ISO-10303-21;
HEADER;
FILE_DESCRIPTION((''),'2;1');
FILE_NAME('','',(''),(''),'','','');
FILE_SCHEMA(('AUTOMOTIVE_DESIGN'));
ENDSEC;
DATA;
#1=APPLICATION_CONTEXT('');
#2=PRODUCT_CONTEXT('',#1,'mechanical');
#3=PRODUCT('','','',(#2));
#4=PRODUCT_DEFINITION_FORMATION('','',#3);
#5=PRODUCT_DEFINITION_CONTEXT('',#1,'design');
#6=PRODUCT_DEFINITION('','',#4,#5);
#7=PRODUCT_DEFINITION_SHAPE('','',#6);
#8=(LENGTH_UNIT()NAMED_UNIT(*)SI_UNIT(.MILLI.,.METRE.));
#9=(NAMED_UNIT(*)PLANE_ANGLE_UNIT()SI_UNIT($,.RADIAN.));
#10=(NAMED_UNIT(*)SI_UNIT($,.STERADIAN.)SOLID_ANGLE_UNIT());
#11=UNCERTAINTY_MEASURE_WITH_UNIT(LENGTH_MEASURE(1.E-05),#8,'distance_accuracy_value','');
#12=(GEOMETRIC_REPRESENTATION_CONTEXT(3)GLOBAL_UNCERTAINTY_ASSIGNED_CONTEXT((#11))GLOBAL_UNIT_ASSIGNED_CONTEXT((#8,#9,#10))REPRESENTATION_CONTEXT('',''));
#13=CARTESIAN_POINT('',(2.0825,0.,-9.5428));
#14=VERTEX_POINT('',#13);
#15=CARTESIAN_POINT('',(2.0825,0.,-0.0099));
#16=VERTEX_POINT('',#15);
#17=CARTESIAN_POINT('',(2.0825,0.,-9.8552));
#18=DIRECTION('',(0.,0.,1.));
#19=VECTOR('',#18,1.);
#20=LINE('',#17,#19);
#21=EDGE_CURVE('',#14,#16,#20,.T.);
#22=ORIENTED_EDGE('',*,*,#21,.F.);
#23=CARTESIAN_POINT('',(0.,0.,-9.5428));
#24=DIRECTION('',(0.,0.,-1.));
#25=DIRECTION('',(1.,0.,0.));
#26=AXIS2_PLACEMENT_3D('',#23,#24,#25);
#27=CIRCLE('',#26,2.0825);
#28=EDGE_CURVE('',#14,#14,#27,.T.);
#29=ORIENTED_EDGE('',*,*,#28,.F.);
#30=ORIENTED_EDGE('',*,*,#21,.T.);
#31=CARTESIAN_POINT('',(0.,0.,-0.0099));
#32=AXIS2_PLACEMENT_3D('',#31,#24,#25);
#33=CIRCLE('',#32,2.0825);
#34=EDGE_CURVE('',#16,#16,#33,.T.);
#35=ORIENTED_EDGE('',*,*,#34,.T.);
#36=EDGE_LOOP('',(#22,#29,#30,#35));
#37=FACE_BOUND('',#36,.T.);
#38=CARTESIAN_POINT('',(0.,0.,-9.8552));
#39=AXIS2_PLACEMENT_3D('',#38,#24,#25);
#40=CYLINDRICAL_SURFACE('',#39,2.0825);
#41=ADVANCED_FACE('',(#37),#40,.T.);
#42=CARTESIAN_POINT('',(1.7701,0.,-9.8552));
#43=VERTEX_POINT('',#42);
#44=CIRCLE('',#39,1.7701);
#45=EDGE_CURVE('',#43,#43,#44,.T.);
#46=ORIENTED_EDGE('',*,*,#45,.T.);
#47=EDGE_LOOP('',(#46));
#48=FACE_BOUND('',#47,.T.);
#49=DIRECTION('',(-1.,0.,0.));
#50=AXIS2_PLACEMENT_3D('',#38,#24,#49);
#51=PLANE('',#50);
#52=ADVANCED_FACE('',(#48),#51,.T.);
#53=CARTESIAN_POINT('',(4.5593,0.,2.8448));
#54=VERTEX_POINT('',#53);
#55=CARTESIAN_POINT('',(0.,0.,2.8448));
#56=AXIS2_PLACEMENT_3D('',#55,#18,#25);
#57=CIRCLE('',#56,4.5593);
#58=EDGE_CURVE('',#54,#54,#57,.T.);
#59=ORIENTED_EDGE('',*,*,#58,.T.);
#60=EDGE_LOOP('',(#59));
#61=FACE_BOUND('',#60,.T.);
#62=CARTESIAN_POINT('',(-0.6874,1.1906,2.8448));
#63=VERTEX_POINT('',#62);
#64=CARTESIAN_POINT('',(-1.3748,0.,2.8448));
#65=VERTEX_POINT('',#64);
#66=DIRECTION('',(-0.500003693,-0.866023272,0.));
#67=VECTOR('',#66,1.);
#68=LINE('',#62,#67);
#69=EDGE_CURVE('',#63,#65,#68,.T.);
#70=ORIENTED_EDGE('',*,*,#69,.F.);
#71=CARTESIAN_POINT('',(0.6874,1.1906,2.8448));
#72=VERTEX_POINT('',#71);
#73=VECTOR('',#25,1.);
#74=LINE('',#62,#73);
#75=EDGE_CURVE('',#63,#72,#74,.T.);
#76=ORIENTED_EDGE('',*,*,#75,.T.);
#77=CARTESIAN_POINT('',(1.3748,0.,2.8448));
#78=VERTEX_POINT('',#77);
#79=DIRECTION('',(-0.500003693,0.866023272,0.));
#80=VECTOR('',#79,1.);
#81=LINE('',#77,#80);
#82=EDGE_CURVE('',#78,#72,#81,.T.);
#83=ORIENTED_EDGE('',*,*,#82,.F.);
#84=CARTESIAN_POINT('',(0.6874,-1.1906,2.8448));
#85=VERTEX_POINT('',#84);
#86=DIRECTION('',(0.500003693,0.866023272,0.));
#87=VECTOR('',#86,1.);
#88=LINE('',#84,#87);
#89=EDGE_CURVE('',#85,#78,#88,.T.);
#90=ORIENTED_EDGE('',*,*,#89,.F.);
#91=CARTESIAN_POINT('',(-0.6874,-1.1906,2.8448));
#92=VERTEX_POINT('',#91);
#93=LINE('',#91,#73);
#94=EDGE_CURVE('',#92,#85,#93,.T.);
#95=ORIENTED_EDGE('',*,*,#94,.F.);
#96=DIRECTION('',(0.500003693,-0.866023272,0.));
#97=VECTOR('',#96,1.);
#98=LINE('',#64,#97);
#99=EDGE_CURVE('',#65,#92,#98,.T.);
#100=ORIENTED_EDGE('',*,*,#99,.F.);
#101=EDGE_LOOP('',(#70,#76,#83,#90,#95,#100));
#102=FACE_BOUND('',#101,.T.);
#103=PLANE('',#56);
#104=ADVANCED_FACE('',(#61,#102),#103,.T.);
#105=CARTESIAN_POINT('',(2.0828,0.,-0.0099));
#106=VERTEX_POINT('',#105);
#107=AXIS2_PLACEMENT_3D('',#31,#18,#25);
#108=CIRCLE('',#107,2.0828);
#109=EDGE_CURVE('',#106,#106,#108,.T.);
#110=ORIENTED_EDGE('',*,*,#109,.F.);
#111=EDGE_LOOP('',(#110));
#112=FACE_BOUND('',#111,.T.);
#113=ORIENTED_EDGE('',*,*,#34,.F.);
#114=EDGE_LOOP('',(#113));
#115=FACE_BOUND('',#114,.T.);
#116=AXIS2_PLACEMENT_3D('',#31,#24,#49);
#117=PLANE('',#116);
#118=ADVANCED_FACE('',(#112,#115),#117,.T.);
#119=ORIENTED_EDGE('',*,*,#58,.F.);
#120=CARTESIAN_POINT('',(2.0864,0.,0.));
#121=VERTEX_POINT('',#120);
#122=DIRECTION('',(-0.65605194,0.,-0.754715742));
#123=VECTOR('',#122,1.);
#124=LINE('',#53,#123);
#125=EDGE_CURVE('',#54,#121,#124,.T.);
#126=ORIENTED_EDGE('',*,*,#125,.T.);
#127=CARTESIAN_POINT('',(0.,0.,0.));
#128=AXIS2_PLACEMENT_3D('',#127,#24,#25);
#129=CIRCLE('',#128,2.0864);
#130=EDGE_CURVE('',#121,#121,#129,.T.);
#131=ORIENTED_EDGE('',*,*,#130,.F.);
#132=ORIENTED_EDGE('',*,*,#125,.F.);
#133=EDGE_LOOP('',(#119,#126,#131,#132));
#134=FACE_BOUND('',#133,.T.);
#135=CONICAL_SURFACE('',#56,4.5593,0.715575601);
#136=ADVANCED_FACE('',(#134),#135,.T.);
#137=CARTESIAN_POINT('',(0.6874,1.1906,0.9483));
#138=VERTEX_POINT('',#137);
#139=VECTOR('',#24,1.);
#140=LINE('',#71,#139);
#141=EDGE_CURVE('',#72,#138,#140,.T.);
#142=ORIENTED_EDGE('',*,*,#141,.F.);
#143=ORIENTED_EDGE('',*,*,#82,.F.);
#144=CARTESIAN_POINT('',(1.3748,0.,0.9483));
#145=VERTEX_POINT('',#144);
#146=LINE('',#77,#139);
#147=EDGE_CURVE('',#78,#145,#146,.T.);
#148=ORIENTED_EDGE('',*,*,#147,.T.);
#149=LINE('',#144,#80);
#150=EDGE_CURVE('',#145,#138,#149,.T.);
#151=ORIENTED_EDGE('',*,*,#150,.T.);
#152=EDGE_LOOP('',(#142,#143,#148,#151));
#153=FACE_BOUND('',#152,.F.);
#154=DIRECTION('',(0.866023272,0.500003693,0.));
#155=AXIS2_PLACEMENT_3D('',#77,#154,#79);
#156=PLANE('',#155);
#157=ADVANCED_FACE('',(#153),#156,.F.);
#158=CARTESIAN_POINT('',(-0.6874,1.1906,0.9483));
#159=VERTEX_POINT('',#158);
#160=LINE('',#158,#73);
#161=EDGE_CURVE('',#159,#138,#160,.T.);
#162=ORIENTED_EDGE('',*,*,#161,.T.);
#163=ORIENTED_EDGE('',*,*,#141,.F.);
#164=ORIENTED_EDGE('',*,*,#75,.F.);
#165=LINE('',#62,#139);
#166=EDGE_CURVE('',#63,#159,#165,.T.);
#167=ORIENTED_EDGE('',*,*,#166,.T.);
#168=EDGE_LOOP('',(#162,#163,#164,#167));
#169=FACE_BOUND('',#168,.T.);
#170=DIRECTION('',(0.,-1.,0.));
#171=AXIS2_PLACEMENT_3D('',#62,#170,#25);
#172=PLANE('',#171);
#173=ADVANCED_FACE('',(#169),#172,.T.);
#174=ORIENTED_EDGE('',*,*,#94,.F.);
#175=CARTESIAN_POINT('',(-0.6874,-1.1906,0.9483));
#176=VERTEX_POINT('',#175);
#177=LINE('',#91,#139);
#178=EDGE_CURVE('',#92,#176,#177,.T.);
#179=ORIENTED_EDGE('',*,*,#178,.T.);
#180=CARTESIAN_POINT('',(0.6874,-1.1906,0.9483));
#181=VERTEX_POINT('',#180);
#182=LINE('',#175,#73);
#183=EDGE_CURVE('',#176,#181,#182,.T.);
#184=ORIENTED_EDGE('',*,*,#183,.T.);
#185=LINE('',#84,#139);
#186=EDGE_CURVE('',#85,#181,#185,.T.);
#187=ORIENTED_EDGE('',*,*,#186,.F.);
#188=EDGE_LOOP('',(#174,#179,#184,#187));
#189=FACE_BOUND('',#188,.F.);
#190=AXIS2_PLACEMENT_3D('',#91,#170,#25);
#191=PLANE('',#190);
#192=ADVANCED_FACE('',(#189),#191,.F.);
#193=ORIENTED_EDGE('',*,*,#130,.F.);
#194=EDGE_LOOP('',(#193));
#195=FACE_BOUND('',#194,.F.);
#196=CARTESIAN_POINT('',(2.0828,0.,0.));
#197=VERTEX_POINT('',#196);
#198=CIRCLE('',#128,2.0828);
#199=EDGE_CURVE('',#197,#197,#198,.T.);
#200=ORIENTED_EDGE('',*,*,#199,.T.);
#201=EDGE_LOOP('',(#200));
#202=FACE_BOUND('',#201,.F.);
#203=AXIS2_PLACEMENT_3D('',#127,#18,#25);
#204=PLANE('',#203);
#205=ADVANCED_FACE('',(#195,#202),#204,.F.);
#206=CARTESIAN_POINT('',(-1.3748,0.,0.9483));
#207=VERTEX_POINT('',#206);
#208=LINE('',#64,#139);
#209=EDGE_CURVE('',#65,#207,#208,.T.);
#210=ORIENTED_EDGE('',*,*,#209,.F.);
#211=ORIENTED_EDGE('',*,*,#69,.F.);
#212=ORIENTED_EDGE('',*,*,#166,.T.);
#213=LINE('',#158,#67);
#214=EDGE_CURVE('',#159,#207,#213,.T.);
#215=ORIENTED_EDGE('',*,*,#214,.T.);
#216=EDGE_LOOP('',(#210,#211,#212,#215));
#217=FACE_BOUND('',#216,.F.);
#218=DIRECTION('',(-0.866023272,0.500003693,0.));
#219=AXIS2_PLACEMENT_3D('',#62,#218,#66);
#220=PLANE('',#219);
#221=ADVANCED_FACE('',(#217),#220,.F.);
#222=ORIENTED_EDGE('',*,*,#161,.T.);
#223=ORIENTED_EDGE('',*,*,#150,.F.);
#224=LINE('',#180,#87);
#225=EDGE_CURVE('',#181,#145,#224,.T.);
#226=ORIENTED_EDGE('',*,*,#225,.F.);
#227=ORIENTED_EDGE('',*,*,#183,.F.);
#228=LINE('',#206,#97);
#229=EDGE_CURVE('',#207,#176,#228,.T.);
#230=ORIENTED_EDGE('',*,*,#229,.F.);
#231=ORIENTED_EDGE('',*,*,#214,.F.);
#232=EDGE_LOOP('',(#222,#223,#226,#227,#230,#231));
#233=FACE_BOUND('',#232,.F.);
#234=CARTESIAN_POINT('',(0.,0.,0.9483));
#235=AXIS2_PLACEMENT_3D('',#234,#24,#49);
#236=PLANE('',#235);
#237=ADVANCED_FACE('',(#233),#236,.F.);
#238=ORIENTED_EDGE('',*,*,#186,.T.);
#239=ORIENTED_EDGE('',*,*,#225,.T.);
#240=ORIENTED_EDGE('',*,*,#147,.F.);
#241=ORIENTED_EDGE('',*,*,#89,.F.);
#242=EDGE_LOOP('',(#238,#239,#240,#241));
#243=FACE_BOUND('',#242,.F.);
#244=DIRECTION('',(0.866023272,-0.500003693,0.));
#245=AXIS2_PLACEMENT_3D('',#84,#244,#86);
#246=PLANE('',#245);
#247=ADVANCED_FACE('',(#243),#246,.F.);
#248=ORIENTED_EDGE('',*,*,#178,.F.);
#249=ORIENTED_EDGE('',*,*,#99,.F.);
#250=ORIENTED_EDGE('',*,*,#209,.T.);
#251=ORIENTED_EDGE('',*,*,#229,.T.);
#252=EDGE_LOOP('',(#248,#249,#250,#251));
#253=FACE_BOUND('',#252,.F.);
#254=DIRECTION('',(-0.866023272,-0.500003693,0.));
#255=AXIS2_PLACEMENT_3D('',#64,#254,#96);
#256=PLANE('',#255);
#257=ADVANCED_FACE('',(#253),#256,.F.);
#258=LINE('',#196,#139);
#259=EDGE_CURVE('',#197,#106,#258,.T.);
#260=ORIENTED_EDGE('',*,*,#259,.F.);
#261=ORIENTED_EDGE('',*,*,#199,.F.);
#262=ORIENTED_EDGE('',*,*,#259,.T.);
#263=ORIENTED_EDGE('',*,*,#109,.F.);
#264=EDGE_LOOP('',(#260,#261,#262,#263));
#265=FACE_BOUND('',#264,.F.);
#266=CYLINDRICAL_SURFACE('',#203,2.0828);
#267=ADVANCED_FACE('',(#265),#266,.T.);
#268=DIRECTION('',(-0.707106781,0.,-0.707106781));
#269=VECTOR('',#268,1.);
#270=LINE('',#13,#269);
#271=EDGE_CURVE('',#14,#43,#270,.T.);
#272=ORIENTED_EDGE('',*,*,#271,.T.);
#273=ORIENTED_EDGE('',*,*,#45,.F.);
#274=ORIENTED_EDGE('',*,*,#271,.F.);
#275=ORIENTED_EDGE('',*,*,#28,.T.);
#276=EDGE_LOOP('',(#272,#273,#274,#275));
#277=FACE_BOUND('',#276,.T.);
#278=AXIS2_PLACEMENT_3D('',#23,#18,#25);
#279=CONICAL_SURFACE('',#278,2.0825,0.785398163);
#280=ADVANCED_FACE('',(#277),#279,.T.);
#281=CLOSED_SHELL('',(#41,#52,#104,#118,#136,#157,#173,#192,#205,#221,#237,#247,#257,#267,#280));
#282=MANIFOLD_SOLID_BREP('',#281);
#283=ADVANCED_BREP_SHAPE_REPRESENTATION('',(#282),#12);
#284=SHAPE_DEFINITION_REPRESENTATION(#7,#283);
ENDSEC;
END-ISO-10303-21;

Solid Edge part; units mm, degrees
sketch "Sketch1" plane through (0, 0, 0) normal (0, 0, 1) x (1, 0, 0)
  circle A0 centre (0, 0) radius 4.5593
  dimension "D1" = 9.1186
extrude "Protrusion1" add sketch "Sketch1" along normal blind 2.8448
sketch "Sketch2" plane through (0, 0, 0) normal (0, 0, -1) x (1, 0, 0)
  circle A0 centre (0, 0) radius 2.0828
extrude "Protrusion2" add sketch "Sketch2" along normal blind 9.8552
sketch "Sketch3" plane through (0, 0, -9.8552) normal (0, 0, -1) x (1, 0, 0)
  circle A0 centre (0, 0) radius 2.0825
extrude "Cutout1" cut sketch "Sketch3" against normal blind 9.8453 flip side to cut
chamfer "Chamfer_1" distance 0.3124 angle 45 1 edges at (-2.0825, 0, -9.8552)
sketch "Sketch4" plane through (0, 0, 2.8448) normal (0, 0, 1) x (1, 0, 0)
  line L0 (-0.6874, 1.1906) -> (0.6874, 1.1906)
  line L1 (1.3748, 0) -> (0.6874, 1.1906)
  line L2 (0.6874, -1.1906) -> (1.3748, 0)
  line L3 (-0.6874, -1.1906) -> (0.6874, -1.1906)
  line L4 (-1.3748, 0) -> (-0.6874, -1.1906)
  line L5 (-0.6874, 1.1906) -> (-1.3748, 0)
  dimension "D1" = 2.3812
extrude "Cutout2" cut sketch "Sketch4" against normal blind 1.8965
sketch "Sketch5" plane through (0, 0, 0) normal (0, -1, 0) x (1, 0, 0)
  line L0 (4.5593, 2.8448) -> (2.0864, 0)
  line L1 (2.0864, 0) -> (4.5593, 0)
  line L2 (4.5593, 0) -> (4.5593, 2.8448)
revolve "RevolvedCutout1" cut sketch "Sketch5" angle 360 about axis through (0, 0, 14.0017) along (0, 0, -1)
properties part number "24102179"
